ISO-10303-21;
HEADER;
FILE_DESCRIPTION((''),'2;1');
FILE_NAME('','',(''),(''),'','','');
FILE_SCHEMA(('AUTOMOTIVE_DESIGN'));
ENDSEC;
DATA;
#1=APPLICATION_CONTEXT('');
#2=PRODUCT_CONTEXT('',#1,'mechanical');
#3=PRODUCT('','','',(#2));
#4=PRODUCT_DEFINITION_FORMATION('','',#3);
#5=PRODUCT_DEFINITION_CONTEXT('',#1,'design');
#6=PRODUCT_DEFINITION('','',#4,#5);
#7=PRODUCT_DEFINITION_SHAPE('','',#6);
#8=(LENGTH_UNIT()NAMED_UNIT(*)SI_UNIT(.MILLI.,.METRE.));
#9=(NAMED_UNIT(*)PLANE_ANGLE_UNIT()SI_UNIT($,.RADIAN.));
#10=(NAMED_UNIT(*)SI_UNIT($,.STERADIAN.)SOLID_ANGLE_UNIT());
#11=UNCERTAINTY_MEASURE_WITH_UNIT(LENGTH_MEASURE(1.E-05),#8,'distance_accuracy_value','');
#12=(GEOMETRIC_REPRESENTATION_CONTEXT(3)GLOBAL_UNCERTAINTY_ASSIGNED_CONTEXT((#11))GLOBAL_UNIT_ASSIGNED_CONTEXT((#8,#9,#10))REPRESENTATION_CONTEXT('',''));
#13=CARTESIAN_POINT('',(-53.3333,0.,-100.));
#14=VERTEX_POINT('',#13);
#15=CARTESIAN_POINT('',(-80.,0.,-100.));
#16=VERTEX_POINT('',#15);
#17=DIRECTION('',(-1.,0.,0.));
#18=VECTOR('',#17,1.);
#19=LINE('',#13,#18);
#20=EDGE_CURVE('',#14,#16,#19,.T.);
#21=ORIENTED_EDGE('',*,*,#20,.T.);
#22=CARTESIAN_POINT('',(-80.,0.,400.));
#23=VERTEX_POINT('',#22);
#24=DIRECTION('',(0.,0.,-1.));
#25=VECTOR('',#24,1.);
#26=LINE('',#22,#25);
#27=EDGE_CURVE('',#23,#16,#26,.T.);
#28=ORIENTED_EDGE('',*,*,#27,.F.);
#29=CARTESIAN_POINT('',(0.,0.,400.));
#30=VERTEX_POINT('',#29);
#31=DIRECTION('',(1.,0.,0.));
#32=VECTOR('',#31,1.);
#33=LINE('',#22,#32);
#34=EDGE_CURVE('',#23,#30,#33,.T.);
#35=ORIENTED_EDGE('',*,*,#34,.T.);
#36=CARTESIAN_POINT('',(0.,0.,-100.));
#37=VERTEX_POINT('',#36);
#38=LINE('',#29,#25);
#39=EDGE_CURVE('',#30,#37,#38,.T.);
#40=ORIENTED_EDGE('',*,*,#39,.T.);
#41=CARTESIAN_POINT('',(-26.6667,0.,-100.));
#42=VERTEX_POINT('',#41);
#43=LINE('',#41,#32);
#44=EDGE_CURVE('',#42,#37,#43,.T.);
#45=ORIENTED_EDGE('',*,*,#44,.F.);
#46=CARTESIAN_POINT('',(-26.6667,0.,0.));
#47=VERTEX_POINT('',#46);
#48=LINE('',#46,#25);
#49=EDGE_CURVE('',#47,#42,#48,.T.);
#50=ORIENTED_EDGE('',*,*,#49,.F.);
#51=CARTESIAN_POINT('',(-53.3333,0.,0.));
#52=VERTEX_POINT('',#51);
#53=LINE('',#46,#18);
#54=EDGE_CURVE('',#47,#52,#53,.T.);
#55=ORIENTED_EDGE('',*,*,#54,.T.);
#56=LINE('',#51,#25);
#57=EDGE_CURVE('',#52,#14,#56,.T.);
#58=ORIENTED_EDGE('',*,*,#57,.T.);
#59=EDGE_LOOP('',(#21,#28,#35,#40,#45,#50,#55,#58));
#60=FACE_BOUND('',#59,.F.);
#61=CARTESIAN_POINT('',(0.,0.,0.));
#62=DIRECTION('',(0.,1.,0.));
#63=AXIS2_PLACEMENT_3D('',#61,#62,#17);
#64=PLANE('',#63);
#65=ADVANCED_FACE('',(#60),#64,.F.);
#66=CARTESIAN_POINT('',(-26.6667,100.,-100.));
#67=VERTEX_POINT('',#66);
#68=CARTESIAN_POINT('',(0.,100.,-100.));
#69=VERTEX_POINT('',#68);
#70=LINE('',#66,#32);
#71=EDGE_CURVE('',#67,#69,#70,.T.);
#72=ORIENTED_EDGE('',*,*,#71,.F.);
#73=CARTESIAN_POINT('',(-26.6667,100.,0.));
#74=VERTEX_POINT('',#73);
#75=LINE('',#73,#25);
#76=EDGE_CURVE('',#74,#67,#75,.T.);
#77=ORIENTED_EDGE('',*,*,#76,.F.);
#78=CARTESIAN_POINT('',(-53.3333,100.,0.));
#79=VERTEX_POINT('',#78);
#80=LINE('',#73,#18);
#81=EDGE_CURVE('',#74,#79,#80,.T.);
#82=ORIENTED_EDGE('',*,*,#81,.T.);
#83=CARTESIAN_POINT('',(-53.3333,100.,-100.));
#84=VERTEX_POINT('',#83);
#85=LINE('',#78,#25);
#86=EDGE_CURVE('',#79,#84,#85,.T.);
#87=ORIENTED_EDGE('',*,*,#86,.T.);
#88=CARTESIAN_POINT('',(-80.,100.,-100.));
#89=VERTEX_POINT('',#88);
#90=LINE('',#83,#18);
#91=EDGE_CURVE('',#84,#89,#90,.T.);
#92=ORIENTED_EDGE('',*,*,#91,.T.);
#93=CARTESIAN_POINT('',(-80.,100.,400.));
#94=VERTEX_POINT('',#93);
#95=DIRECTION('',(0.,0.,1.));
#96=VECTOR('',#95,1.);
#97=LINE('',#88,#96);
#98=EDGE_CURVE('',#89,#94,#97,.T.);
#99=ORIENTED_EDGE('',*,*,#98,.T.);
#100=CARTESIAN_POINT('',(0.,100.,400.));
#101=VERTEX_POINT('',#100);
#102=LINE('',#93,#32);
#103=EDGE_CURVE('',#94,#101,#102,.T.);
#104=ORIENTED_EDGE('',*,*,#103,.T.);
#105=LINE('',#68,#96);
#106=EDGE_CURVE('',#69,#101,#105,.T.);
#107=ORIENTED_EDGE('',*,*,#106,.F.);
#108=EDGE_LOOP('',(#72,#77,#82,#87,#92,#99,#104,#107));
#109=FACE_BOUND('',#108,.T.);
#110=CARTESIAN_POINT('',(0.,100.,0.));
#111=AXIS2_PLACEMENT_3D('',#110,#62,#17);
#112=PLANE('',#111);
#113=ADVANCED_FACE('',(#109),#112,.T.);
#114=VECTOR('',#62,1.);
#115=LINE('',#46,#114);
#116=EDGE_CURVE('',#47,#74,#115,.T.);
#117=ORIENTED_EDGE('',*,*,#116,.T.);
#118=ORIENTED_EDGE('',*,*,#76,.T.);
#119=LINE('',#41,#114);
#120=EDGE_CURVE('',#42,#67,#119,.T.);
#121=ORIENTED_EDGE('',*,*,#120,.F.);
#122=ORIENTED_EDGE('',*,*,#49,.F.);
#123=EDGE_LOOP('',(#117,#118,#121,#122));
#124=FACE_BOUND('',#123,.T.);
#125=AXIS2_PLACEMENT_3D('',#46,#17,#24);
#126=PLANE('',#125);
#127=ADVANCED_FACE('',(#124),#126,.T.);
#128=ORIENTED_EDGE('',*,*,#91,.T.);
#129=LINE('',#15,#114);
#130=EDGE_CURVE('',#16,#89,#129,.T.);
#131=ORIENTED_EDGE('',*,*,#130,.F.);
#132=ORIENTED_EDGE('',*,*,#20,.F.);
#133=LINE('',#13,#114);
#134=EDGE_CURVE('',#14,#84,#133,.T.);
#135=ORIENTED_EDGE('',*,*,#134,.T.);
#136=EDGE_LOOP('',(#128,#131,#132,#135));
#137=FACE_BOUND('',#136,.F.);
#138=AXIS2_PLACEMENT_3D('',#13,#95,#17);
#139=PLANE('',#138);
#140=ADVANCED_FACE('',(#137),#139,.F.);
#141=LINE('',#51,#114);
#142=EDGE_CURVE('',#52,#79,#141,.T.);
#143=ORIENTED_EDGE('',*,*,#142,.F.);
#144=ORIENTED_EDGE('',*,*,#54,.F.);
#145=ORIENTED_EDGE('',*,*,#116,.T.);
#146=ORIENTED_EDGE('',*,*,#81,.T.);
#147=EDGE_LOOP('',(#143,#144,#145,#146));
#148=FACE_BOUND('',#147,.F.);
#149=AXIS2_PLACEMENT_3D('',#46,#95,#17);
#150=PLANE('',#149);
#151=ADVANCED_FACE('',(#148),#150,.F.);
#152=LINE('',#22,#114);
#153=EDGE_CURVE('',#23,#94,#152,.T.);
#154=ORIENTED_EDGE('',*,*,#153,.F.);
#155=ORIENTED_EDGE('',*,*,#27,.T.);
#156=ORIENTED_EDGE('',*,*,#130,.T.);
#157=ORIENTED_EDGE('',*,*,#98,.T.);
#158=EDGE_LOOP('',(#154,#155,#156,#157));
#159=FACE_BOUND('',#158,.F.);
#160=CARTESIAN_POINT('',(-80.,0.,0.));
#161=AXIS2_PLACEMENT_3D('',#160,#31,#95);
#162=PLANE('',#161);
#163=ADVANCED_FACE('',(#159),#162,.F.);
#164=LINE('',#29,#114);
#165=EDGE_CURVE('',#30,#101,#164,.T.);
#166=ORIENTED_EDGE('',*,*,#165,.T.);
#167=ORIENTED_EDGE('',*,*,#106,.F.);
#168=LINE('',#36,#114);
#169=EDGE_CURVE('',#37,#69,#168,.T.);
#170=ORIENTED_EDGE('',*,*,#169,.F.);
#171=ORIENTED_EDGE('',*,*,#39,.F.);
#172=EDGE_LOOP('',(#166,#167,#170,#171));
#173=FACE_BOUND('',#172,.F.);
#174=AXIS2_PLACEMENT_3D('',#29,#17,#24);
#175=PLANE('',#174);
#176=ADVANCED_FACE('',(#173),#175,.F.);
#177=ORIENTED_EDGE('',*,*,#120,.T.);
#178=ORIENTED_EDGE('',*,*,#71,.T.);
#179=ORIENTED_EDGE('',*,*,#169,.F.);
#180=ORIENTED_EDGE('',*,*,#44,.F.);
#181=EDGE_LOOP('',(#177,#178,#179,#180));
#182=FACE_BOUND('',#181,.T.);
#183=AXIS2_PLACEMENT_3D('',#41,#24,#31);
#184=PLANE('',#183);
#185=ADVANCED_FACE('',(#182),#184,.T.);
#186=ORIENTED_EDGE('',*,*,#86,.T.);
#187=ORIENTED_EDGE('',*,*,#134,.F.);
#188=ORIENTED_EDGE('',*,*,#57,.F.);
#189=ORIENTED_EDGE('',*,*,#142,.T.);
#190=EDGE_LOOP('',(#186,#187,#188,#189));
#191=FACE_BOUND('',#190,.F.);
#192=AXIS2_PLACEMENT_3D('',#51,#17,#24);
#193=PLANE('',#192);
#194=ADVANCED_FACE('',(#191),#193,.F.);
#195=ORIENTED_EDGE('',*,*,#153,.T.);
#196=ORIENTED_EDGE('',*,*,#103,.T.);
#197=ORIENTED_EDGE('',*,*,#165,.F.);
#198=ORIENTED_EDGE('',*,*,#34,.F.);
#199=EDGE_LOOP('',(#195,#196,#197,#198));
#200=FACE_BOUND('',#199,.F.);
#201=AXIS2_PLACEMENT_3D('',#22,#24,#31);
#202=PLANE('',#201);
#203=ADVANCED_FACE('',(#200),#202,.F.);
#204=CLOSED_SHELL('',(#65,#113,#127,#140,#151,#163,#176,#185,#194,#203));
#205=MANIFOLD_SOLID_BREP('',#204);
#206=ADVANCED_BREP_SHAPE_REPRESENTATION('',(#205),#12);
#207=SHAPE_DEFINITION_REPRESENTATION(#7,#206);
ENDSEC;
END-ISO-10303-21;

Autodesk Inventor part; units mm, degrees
ref_plane "YZ Plane" through (0, 0, 0) normal (1, 0, 0) x (0, 1, 0)
ref_plane "XZ Plane" through (0, 0, 0) normal (0, 1, 0) x (-1, 0, 0)
ref_plane "XY Plane" through (0, 0, 0) normal (0, 0, 1) x (1, 0, 0)
sketch "Sketch1" plane through (0, 0, 0) normal (0, 1, 0) x (-1, 0, 0)
  line L0 (26.6667, 0) -> (53.3333, 0)
  line L1 (80, 0) -> (80, 400)
  line L2 (80, 400) -> (0, 400)
  line L3 (0, 400) -> (0, 0)
  line L4 (80, 0) -> (53.3333, 0)
  line L5 (53.3333, 0) -> (53.3333, -100)
  line L6 (53.3333, -100) -> (80, -100)
  line L7 (80, -100) -> (80, 0)
  line L8 (0, 0) -> (26.6667, 0)
  line L9 (26.6667, 0) -> (26.6667, -100)
  line L10 (26.6667, -100) -> (0, -100)
  line L11 (0, -100) -> (0, 0)
  dimension "d0" = 80
  dimension "d1" = 400
  dimension "d2" = 100
  dimension "d3" = 100
  dimension "d4" = 26.6667
  dimension "d5" = 26.6667
extrude "Extrusion1" add sketch "Sketch1" along normal blind 100
equation "\"d5\" = d4"
properties part number "SeatBeam100x80" material "Wood (Birch)"
